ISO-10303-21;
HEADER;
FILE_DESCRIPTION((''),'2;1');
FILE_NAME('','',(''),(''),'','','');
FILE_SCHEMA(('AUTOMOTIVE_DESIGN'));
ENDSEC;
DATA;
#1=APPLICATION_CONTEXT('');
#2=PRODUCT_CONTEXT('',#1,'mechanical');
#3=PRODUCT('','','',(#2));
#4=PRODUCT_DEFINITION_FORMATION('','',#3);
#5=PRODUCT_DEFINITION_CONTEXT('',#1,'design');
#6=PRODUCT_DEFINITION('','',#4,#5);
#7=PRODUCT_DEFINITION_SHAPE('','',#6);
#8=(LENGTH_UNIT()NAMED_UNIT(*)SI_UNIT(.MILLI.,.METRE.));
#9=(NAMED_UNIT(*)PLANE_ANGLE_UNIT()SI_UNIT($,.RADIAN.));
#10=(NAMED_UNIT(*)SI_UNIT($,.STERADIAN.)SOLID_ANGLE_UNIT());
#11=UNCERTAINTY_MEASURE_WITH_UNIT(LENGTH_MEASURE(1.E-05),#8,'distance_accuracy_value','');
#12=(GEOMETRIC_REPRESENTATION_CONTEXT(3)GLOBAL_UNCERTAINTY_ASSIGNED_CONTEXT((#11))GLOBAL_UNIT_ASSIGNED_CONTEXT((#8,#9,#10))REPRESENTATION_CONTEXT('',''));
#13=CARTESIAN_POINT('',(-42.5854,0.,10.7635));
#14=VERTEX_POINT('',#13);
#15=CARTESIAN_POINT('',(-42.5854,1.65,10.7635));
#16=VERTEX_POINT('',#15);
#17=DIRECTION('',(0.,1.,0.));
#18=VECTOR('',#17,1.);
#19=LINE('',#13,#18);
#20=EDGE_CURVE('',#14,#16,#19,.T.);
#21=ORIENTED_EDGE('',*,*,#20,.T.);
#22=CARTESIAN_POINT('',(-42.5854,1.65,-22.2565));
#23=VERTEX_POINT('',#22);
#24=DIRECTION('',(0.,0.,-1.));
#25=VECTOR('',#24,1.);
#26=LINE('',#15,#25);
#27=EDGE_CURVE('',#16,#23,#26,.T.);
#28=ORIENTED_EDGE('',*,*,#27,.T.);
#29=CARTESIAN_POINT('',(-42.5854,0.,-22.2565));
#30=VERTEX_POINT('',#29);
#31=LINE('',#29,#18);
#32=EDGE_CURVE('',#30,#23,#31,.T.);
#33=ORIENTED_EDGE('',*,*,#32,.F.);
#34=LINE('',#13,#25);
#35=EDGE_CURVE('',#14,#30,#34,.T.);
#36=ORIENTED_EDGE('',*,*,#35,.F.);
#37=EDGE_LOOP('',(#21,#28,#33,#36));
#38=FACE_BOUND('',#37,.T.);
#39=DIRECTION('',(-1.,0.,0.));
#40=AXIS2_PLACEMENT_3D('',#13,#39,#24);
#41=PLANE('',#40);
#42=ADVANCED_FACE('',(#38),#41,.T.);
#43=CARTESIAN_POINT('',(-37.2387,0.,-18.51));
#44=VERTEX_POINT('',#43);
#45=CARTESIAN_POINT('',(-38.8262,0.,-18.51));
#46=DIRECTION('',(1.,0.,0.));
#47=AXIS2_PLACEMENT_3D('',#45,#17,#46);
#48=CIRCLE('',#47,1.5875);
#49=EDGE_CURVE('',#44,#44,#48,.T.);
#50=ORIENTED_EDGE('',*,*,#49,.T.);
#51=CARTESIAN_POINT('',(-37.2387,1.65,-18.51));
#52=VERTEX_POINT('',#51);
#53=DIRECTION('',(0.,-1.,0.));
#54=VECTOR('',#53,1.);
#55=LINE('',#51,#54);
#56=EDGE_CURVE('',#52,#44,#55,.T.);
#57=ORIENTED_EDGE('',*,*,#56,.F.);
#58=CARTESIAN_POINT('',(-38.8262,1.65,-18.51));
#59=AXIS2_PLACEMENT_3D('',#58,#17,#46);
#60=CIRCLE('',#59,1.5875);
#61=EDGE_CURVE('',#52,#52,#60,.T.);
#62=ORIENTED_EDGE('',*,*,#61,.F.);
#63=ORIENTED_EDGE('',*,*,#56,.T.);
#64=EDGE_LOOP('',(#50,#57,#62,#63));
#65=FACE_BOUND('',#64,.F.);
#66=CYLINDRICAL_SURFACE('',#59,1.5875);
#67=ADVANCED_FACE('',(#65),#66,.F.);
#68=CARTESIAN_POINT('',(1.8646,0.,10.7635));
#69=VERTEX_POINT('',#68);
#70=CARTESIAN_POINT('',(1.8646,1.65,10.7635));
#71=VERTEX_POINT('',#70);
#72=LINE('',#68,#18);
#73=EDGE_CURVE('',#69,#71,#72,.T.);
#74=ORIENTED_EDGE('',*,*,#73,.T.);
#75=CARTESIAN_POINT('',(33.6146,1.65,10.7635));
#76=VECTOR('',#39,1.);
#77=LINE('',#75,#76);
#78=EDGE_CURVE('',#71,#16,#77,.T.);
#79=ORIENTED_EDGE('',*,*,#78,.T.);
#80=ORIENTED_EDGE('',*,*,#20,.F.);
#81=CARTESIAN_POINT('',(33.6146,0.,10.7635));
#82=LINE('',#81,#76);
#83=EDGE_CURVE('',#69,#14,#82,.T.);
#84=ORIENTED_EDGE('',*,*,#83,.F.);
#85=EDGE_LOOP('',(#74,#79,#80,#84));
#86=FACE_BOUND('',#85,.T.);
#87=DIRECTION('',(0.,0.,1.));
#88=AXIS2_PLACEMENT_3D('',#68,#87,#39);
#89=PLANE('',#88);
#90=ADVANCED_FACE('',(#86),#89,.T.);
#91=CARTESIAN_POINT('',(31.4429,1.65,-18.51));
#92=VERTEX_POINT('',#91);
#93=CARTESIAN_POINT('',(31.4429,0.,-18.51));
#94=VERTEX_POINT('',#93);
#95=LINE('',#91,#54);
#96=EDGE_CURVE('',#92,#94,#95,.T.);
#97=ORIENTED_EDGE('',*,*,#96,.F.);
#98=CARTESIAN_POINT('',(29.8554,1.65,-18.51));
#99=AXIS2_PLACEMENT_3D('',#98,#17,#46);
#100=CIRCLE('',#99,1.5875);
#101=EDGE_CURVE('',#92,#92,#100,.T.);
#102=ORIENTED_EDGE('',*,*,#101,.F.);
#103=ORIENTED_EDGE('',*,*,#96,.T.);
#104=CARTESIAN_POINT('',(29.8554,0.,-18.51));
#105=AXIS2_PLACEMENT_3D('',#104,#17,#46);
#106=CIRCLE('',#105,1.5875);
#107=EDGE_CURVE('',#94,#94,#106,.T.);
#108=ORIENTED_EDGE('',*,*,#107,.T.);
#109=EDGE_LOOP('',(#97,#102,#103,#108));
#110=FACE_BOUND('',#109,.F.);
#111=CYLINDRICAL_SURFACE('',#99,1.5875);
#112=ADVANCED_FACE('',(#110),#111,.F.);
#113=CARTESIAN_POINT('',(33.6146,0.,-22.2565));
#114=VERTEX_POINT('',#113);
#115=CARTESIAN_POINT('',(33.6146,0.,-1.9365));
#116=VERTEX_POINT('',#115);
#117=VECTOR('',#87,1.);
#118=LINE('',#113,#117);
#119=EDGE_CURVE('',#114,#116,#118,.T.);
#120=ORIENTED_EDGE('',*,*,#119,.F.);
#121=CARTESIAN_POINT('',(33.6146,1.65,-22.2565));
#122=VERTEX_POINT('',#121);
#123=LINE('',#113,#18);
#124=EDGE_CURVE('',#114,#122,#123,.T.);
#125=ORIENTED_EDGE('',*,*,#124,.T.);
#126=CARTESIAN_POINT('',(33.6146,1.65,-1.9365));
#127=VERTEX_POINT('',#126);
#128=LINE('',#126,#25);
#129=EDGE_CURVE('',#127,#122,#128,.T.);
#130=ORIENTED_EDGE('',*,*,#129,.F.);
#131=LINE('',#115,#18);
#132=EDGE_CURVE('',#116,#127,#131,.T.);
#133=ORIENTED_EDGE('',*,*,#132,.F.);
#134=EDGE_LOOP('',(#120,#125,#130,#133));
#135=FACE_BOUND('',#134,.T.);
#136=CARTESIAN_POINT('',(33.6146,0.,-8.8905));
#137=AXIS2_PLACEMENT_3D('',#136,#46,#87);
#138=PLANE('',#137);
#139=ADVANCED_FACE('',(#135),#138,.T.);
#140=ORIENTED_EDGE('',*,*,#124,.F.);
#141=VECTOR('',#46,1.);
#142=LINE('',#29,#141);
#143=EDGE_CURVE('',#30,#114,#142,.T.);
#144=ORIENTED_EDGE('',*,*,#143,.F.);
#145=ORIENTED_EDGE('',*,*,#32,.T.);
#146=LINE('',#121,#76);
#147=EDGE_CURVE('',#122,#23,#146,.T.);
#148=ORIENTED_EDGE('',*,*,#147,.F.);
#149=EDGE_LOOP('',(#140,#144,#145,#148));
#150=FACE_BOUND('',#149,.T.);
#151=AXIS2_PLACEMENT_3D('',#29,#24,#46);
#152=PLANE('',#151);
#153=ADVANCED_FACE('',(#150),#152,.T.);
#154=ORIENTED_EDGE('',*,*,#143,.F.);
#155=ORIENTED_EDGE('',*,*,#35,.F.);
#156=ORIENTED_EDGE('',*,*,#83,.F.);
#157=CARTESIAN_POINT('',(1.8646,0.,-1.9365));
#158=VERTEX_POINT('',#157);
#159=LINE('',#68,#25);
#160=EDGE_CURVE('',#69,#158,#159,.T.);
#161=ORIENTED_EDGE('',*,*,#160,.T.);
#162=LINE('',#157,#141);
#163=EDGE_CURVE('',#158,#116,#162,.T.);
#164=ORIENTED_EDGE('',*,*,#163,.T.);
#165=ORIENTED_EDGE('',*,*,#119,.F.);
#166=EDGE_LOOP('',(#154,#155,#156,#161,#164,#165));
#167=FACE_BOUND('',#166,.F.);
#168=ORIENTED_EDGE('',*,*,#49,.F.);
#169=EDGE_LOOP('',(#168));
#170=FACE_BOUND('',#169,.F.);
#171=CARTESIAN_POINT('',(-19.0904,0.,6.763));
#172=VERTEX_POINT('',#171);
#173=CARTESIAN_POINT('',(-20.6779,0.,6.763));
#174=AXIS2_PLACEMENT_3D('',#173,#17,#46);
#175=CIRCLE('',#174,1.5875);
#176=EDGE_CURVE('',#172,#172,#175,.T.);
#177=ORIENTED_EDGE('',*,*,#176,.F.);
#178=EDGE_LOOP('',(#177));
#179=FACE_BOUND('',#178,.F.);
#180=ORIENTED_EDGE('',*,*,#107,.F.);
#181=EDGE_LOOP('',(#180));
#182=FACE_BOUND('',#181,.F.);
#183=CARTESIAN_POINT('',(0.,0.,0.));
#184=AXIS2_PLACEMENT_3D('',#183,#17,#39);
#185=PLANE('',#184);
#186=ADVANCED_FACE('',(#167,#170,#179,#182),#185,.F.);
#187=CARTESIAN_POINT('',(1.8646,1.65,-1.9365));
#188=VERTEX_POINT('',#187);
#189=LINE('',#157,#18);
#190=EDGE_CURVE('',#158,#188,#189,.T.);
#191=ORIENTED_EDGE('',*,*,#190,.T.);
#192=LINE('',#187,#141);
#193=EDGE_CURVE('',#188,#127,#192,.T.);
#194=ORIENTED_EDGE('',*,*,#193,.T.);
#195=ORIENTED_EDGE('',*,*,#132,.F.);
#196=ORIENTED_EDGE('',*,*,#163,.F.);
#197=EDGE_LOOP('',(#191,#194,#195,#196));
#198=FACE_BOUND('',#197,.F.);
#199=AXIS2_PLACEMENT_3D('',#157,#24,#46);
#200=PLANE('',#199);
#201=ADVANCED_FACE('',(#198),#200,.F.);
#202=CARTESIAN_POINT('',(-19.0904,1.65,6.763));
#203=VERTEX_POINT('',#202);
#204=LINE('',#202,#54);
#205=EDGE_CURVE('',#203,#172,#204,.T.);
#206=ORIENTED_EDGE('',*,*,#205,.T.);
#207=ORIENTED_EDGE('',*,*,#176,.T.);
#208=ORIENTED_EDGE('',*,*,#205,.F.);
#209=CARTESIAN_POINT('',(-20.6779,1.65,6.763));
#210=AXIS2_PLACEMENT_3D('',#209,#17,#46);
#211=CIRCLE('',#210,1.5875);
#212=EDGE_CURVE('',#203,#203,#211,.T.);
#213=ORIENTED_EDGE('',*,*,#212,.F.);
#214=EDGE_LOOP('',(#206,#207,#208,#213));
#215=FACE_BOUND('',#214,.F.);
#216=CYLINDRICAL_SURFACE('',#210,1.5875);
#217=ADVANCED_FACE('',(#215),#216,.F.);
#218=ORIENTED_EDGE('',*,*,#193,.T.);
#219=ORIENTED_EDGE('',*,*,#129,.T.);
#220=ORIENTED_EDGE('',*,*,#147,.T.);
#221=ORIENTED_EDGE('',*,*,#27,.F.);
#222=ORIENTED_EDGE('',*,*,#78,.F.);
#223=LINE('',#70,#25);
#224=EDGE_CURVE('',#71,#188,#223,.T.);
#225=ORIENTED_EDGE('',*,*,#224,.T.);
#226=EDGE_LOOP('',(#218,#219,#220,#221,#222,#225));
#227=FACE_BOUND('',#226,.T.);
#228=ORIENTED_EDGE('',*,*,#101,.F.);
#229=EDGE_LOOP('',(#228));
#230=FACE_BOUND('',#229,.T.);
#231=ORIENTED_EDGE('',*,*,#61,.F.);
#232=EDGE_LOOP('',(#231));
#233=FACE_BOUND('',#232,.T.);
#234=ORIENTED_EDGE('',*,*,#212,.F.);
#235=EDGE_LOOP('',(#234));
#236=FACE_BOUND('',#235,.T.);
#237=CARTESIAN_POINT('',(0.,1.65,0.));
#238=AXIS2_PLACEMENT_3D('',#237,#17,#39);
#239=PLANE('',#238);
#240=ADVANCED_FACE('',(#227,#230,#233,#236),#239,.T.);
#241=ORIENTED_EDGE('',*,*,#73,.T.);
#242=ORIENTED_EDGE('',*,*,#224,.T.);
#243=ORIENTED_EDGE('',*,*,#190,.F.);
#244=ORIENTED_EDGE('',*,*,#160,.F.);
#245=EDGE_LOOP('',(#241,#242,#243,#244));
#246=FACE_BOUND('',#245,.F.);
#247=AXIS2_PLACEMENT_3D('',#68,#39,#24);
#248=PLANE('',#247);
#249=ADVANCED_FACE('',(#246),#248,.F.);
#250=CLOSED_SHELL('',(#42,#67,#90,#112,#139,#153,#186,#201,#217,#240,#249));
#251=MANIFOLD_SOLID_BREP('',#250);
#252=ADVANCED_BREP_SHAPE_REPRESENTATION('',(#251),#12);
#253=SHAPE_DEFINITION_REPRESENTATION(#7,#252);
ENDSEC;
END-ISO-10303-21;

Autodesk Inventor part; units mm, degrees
ref_plane "YZ Plane" through (0, 0, 0) normal (1, 0, 0) x (0, 1, 0)
ref_plane "XZ Plane" through (0, 0, 0) normal (0, 1, 0) x (-1, 0, 0)
ref_plane "XY Plane" through (0, 0, 0) normal (0, 0, 1) x (1, 0, 0)
sketch "Sketch1" plane through (0, 0, 0) normal (0, 1, 0) x (-1, 0, 0)
  line L0 (-33.6146, 10.7635) -> (42.5854, 10.7635)
  line L1 (42.5854, 10.7635) -> (42.5854, -22.2565)
  line L2 (42.5854, -22.2565) -> (-33.6146, -22.2565)
  line L3 (-33.6146, -22.2565) -> (-33.6146, 10.7635)
  line L4 (-33.6146, -22.2565) -> (-10.7151, -22.2565)
  line L5 (-33.6146, -8.8905) -> (-33.6146, -22.2565)
  line L6 (-33.6146, 10.7635) -> (-1.8646, 10.7635)
  line L7 (-1.8646, 10.7635) -> (-1.8646, -1.9365)
  line L8 (-1.8646, -1.9365) -> (-33.6146, -1.9365)
  line L9 (-33.6146, -1.9365) -> (-33.6146, 10.7635)
  point P0 (0, 0)
  dimension "d0" = 76.2
  dimension "d1" = 33.02
  dimension "d37" = 12.7
  dimension "d50" = 31.75
extrude "Extrusion1" add sketch "Sketch1" along normal blind 1.65 contours L0 L1 L2 L3 L8 L7
sketch "Sketch6" plane through (0, 1.65, 0) normal (0, 1, 0) x (1, 0, 0)
  line L0 (33.6146, 1.9365) -> (33.6146, 22.2565) projected
  line L1 (33.6146, 22.2565) -> (-42.5854, 22.2565) projected
  line L2 (-42.5854, 22.2565) -> (-42.5854, -10.7635) projected
  line L3 (-42.5854, -10.7635) -> (1.8646, -10.7635) projected
  circle A0 centre (-38.8262, 18.51) radius 1.5875
  circle A1 centre (29.8554, 18.51) radius 1.5875
  circle A2 centre (-20.6779, -6.763) radius 1.5875
  point P0 (0, 0)
  dimension "d39" = 3.175
  dimension "d40" = 3.175
  dimension "d41" = 3.175
  dimension "d42" = 21.9075
  dimension "d43" = 4.0005
  dimension "d44" = 3.7465
  dimension "d45" = 3.7465
  dimension "d46" = 3.7592
  dimension "d47" = 3.7592
extrude "Extrusion6" cut sketch "Sketch6" against normal blind 7.53
properties part number "InjectorBoard"
